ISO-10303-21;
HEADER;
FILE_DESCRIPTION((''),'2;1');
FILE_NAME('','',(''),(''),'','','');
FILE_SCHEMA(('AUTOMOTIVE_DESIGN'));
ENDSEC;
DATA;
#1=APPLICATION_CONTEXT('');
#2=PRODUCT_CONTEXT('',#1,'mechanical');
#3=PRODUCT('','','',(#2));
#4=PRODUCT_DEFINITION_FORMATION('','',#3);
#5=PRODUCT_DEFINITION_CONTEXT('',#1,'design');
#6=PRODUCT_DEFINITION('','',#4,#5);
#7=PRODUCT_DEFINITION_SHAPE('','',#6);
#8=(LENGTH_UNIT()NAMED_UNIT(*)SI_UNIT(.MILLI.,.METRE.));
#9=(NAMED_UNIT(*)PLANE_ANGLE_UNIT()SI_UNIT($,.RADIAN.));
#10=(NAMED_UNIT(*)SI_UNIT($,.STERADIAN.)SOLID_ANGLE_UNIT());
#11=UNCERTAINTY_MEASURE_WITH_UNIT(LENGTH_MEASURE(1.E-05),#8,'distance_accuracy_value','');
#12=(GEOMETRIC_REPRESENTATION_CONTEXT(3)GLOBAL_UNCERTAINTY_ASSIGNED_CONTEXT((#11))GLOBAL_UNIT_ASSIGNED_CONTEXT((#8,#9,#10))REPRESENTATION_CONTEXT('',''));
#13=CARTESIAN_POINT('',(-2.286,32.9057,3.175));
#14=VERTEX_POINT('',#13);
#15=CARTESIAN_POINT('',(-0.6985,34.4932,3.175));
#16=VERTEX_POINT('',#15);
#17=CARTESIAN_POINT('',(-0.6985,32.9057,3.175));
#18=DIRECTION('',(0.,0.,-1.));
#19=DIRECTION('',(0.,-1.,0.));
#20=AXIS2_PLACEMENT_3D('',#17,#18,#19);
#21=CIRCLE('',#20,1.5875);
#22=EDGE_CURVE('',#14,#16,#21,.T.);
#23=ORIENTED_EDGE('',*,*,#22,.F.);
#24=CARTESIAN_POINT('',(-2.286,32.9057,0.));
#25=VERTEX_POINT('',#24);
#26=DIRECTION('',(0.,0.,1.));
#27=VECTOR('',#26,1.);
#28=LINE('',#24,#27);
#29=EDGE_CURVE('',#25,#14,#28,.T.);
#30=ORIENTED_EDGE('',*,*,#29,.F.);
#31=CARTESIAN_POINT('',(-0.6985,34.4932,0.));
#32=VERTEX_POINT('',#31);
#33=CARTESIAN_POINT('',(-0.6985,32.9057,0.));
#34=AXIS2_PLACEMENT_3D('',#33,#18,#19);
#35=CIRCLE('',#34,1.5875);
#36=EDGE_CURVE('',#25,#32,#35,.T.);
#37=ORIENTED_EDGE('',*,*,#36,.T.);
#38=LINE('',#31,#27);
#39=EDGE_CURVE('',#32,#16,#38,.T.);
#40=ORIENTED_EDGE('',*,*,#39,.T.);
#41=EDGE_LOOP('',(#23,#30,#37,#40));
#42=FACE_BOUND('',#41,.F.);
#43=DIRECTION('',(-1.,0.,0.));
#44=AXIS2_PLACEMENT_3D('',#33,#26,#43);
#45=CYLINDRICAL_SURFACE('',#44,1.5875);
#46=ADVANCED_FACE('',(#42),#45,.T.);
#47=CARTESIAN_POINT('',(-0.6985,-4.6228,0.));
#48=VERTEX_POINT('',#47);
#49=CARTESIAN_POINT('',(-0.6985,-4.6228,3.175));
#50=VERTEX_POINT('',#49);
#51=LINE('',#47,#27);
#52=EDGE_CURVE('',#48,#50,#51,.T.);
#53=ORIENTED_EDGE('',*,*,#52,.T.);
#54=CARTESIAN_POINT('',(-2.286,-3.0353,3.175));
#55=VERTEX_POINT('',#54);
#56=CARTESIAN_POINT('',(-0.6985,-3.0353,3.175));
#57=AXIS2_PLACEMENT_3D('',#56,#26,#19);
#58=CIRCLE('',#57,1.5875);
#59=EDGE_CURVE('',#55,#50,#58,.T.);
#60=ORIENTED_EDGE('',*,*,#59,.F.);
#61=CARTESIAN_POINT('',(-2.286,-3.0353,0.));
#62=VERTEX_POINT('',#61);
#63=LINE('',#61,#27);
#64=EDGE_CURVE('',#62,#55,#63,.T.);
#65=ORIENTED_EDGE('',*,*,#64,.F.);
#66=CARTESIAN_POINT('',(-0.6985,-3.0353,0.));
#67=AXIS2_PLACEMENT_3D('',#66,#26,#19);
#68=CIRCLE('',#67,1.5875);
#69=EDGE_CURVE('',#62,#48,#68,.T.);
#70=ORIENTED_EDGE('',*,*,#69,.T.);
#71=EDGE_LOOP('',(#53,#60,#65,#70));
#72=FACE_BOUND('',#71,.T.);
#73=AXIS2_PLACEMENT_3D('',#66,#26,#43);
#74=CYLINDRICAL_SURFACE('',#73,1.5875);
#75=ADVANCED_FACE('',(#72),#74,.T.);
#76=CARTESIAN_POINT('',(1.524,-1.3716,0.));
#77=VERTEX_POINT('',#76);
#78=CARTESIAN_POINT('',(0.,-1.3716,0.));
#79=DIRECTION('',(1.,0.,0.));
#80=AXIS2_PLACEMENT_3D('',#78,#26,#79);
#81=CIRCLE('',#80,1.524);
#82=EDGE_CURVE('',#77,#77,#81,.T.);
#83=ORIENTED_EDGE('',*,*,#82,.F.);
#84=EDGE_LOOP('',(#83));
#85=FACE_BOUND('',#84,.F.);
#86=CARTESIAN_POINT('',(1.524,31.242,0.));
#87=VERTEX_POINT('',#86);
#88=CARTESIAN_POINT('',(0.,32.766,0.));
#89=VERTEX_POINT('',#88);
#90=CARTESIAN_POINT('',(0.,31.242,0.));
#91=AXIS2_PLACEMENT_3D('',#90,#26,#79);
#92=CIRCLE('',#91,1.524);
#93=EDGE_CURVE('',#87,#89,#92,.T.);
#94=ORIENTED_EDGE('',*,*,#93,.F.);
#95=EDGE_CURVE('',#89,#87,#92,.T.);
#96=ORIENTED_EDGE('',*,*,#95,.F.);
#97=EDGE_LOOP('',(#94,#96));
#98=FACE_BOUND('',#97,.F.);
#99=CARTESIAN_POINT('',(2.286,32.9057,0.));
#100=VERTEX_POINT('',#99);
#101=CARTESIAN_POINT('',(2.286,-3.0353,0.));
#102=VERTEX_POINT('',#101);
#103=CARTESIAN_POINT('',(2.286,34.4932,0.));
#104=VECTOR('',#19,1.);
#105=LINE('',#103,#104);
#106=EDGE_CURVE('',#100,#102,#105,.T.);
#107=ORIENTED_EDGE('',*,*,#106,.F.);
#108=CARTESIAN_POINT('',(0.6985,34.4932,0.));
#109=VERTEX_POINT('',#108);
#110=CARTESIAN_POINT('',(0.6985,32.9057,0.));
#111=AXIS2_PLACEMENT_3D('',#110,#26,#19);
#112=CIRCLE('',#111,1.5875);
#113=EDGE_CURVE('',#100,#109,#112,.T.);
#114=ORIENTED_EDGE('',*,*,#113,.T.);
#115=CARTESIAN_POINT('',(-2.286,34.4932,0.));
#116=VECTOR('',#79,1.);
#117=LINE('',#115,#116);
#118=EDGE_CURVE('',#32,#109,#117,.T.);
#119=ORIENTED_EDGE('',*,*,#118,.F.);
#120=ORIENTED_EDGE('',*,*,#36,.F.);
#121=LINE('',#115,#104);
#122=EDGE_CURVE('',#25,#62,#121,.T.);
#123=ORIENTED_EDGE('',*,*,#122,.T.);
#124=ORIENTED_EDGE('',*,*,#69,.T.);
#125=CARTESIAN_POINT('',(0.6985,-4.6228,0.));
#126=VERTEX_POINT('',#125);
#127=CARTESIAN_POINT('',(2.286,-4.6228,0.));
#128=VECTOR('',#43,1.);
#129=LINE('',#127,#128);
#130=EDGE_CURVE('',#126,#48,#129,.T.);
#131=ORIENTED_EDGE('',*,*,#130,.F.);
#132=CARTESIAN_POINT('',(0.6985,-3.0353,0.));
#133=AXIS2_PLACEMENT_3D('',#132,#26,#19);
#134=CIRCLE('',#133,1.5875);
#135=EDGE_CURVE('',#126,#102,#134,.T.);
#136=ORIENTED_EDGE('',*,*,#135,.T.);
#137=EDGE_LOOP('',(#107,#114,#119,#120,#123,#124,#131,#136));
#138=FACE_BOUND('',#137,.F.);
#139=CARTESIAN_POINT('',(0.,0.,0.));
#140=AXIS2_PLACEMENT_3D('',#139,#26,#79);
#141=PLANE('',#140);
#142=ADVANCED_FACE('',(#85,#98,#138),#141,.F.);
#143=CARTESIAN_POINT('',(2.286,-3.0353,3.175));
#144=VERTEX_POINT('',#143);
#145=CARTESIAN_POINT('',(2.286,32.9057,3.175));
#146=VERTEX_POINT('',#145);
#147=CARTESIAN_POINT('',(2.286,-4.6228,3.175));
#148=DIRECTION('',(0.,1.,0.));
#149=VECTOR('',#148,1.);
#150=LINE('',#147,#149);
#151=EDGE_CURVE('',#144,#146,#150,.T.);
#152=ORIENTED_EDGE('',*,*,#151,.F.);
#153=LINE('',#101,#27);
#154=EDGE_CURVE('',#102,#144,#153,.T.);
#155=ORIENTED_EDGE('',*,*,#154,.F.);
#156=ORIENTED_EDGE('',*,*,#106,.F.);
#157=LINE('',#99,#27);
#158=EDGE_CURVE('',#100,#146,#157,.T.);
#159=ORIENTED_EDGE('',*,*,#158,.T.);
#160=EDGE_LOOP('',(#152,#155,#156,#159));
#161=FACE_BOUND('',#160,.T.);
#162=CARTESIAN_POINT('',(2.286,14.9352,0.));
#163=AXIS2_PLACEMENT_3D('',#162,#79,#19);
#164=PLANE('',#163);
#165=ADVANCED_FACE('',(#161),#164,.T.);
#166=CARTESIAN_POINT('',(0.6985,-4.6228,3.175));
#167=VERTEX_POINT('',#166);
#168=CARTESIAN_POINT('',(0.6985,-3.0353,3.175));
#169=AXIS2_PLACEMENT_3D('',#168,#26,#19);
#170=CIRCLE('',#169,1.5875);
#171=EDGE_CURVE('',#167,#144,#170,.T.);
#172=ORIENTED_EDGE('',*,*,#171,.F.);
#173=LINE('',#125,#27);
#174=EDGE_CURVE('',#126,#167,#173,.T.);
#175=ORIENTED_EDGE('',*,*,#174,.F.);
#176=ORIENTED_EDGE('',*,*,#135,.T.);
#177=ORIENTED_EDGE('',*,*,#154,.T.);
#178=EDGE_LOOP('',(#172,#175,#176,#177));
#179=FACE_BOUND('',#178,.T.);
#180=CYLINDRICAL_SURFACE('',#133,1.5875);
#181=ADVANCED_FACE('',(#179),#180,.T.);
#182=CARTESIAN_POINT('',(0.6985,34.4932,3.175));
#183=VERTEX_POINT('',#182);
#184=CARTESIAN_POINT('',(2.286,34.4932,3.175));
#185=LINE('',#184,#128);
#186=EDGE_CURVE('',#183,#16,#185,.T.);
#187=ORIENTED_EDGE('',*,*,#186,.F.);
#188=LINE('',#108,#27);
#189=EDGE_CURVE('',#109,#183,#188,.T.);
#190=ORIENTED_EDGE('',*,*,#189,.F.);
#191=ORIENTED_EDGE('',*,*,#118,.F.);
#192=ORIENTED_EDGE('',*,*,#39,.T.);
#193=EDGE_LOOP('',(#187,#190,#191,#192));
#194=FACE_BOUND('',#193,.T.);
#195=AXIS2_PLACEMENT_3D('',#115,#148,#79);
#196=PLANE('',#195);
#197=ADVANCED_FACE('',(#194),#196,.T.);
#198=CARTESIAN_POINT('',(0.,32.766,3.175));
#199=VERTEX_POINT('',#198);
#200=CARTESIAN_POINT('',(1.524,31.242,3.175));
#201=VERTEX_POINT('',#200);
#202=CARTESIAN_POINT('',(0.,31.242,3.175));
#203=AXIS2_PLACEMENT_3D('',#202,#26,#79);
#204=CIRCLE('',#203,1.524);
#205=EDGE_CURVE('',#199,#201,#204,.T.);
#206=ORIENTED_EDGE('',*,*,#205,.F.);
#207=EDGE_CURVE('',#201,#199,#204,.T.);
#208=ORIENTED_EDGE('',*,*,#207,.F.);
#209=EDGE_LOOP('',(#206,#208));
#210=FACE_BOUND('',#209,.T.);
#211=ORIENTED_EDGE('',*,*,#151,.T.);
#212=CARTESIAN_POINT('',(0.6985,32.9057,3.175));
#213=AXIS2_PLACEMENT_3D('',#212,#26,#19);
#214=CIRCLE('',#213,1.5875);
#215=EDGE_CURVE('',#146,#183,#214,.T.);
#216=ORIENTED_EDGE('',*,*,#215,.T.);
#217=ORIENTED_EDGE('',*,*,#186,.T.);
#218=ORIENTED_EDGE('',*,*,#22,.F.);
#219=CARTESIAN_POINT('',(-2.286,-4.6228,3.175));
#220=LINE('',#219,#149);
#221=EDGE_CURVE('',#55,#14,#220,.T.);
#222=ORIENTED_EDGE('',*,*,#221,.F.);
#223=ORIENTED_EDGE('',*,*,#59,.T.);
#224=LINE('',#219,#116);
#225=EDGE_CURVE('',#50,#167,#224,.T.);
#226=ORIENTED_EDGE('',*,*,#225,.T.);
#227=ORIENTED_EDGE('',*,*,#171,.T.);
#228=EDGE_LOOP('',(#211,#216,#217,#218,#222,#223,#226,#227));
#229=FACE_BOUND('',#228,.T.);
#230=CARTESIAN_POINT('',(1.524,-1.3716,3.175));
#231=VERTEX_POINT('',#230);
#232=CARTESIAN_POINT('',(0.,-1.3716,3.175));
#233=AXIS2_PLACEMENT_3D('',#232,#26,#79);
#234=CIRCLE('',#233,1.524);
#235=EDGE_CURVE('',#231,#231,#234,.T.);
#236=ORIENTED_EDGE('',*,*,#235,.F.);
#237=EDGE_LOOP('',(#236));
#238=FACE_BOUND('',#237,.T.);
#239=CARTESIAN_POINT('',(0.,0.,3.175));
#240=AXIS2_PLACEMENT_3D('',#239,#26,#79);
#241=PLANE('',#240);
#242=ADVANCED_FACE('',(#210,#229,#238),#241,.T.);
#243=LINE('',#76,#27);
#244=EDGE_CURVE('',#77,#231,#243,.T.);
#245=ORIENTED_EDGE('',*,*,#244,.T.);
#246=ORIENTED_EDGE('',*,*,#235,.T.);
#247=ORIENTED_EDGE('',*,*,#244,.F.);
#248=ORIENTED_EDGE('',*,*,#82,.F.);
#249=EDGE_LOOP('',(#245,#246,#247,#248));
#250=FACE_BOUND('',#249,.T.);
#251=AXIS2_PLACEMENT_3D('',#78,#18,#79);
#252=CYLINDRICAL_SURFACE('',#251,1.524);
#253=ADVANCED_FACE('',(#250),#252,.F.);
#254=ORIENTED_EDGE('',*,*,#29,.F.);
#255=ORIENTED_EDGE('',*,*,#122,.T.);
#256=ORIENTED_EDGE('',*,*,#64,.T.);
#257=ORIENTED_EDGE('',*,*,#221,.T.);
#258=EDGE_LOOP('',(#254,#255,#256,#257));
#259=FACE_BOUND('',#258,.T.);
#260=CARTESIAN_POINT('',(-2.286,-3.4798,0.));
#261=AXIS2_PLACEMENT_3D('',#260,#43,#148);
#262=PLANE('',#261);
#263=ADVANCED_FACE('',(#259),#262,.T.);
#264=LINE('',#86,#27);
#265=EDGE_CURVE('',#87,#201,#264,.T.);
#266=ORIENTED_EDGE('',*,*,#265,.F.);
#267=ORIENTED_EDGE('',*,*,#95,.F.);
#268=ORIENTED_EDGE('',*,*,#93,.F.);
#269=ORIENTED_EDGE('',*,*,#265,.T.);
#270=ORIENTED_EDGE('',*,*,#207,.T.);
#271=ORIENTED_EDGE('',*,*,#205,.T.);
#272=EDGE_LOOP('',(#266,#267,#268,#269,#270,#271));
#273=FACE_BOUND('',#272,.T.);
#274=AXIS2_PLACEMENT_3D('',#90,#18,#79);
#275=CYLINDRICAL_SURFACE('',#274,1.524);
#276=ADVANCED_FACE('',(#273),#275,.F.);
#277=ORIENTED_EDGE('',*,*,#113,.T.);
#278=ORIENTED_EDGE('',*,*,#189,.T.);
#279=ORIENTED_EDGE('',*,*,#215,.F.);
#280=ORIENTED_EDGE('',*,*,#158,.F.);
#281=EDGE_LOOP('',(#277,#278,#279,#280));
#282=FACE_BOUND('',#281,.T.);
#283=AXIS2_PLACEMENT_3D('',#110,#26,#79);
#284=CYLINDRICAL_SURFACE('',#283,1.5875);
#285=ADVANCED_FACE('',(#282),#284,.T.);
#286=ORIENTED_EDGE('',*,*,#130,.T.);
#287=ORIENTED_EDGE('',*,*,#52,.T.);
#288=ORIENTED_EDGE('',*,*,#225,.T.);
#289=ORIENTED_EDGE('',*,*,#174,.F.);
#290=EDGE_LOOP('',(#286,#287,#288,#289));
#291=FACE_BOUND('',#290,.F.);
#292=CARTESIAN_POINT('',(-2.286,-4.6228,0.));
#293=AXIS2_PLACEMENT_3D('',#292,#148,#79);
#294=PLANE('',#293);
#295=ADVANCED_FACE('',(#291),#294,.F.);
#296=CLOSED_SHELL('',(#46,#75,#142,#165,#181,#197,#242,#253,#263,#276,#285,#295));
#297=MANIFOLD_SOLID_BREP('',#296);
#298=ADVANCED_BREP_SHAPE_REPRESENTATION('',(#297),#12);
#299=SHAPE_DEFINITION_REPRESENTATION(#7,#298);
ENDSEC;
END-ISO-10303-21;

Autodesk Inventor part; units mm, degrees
ref_plane "YZ Plane" through (0, 0, 0) normal (1, 0, 0) x (0, 1, 0)
ref_plane "XZ Plane" through (0, 0, 0) normal (0, 1, 0) x (-1, 0, 0)
ref_plane "XY Plane" through (0, 0, 0) normal (0, 0, 1) x (1, 0, 0)
sketch "Sketch1" plane through (0, 0, 0) normal (0, 0, 1) x (1, 0, 0)
  line L0 (-2.286, -3.4798) -> (2.286, -3.4798)
  line L1 (-2.286, -3.4798) -> (-2.286, 33.3502)
  line L2 (-2.286, 33.3502) -> (2.286, 33.3502)
  line L3 (2.286, 33.3502) -> (2.286, -3.4798)
  line L4 (2.286, 14.9352) -> (-2.286, 14.9352)
  line L5 (0, 33.3502) -> (0, 31.242)
  circle A0 centre (0, 31.242) radius 1.524
  circle A1 centre (0, -1.3716) radius 1.524
  line L6 (0, -3.4798) -> (0, -4.6228)
  line L7 (0, -4.6228) -> (2.286, -4.6228)
  line L8 (2.286, -4.6228) -> (2.286, -3.4798)
  line L9 (-2.286, -3.4798) -> (-2.286, -4.6228)
  line L10 (-2.286, -4.6228) -> (0, -4.6228)
  line L11 (0, 34.4932) -> (2.286, 34.4932)
  line L12 (2.286, 34.4932) -> (2.286, 33.3502)
  line L13 (-2.286, 33.3502) -> (-2.286, 34.4932)
  line L14 (-2.286, 34.4932) -> (0, 34.4932)
  point P0 (0, 0)
  dimension "d0" = 4.572
  dimension "d1" = 36.83
  dimension "d2" = 2.1082
  dimension "d3" = 3.048
  dimension "d7" = 1.143
extrude "Extrusion1" add sketch "Sketch1" along normal blind 3.175
fillet "Fillet2" radius 1.5875 4 edges at (2.286, 34.4932, 1.5875) (-2.286, 34.4932, 1.5875) (-2.286, -4.6228, 1.5875) (2.286, -4.6228, 1.5875)
properties part number "hank - linkage"
